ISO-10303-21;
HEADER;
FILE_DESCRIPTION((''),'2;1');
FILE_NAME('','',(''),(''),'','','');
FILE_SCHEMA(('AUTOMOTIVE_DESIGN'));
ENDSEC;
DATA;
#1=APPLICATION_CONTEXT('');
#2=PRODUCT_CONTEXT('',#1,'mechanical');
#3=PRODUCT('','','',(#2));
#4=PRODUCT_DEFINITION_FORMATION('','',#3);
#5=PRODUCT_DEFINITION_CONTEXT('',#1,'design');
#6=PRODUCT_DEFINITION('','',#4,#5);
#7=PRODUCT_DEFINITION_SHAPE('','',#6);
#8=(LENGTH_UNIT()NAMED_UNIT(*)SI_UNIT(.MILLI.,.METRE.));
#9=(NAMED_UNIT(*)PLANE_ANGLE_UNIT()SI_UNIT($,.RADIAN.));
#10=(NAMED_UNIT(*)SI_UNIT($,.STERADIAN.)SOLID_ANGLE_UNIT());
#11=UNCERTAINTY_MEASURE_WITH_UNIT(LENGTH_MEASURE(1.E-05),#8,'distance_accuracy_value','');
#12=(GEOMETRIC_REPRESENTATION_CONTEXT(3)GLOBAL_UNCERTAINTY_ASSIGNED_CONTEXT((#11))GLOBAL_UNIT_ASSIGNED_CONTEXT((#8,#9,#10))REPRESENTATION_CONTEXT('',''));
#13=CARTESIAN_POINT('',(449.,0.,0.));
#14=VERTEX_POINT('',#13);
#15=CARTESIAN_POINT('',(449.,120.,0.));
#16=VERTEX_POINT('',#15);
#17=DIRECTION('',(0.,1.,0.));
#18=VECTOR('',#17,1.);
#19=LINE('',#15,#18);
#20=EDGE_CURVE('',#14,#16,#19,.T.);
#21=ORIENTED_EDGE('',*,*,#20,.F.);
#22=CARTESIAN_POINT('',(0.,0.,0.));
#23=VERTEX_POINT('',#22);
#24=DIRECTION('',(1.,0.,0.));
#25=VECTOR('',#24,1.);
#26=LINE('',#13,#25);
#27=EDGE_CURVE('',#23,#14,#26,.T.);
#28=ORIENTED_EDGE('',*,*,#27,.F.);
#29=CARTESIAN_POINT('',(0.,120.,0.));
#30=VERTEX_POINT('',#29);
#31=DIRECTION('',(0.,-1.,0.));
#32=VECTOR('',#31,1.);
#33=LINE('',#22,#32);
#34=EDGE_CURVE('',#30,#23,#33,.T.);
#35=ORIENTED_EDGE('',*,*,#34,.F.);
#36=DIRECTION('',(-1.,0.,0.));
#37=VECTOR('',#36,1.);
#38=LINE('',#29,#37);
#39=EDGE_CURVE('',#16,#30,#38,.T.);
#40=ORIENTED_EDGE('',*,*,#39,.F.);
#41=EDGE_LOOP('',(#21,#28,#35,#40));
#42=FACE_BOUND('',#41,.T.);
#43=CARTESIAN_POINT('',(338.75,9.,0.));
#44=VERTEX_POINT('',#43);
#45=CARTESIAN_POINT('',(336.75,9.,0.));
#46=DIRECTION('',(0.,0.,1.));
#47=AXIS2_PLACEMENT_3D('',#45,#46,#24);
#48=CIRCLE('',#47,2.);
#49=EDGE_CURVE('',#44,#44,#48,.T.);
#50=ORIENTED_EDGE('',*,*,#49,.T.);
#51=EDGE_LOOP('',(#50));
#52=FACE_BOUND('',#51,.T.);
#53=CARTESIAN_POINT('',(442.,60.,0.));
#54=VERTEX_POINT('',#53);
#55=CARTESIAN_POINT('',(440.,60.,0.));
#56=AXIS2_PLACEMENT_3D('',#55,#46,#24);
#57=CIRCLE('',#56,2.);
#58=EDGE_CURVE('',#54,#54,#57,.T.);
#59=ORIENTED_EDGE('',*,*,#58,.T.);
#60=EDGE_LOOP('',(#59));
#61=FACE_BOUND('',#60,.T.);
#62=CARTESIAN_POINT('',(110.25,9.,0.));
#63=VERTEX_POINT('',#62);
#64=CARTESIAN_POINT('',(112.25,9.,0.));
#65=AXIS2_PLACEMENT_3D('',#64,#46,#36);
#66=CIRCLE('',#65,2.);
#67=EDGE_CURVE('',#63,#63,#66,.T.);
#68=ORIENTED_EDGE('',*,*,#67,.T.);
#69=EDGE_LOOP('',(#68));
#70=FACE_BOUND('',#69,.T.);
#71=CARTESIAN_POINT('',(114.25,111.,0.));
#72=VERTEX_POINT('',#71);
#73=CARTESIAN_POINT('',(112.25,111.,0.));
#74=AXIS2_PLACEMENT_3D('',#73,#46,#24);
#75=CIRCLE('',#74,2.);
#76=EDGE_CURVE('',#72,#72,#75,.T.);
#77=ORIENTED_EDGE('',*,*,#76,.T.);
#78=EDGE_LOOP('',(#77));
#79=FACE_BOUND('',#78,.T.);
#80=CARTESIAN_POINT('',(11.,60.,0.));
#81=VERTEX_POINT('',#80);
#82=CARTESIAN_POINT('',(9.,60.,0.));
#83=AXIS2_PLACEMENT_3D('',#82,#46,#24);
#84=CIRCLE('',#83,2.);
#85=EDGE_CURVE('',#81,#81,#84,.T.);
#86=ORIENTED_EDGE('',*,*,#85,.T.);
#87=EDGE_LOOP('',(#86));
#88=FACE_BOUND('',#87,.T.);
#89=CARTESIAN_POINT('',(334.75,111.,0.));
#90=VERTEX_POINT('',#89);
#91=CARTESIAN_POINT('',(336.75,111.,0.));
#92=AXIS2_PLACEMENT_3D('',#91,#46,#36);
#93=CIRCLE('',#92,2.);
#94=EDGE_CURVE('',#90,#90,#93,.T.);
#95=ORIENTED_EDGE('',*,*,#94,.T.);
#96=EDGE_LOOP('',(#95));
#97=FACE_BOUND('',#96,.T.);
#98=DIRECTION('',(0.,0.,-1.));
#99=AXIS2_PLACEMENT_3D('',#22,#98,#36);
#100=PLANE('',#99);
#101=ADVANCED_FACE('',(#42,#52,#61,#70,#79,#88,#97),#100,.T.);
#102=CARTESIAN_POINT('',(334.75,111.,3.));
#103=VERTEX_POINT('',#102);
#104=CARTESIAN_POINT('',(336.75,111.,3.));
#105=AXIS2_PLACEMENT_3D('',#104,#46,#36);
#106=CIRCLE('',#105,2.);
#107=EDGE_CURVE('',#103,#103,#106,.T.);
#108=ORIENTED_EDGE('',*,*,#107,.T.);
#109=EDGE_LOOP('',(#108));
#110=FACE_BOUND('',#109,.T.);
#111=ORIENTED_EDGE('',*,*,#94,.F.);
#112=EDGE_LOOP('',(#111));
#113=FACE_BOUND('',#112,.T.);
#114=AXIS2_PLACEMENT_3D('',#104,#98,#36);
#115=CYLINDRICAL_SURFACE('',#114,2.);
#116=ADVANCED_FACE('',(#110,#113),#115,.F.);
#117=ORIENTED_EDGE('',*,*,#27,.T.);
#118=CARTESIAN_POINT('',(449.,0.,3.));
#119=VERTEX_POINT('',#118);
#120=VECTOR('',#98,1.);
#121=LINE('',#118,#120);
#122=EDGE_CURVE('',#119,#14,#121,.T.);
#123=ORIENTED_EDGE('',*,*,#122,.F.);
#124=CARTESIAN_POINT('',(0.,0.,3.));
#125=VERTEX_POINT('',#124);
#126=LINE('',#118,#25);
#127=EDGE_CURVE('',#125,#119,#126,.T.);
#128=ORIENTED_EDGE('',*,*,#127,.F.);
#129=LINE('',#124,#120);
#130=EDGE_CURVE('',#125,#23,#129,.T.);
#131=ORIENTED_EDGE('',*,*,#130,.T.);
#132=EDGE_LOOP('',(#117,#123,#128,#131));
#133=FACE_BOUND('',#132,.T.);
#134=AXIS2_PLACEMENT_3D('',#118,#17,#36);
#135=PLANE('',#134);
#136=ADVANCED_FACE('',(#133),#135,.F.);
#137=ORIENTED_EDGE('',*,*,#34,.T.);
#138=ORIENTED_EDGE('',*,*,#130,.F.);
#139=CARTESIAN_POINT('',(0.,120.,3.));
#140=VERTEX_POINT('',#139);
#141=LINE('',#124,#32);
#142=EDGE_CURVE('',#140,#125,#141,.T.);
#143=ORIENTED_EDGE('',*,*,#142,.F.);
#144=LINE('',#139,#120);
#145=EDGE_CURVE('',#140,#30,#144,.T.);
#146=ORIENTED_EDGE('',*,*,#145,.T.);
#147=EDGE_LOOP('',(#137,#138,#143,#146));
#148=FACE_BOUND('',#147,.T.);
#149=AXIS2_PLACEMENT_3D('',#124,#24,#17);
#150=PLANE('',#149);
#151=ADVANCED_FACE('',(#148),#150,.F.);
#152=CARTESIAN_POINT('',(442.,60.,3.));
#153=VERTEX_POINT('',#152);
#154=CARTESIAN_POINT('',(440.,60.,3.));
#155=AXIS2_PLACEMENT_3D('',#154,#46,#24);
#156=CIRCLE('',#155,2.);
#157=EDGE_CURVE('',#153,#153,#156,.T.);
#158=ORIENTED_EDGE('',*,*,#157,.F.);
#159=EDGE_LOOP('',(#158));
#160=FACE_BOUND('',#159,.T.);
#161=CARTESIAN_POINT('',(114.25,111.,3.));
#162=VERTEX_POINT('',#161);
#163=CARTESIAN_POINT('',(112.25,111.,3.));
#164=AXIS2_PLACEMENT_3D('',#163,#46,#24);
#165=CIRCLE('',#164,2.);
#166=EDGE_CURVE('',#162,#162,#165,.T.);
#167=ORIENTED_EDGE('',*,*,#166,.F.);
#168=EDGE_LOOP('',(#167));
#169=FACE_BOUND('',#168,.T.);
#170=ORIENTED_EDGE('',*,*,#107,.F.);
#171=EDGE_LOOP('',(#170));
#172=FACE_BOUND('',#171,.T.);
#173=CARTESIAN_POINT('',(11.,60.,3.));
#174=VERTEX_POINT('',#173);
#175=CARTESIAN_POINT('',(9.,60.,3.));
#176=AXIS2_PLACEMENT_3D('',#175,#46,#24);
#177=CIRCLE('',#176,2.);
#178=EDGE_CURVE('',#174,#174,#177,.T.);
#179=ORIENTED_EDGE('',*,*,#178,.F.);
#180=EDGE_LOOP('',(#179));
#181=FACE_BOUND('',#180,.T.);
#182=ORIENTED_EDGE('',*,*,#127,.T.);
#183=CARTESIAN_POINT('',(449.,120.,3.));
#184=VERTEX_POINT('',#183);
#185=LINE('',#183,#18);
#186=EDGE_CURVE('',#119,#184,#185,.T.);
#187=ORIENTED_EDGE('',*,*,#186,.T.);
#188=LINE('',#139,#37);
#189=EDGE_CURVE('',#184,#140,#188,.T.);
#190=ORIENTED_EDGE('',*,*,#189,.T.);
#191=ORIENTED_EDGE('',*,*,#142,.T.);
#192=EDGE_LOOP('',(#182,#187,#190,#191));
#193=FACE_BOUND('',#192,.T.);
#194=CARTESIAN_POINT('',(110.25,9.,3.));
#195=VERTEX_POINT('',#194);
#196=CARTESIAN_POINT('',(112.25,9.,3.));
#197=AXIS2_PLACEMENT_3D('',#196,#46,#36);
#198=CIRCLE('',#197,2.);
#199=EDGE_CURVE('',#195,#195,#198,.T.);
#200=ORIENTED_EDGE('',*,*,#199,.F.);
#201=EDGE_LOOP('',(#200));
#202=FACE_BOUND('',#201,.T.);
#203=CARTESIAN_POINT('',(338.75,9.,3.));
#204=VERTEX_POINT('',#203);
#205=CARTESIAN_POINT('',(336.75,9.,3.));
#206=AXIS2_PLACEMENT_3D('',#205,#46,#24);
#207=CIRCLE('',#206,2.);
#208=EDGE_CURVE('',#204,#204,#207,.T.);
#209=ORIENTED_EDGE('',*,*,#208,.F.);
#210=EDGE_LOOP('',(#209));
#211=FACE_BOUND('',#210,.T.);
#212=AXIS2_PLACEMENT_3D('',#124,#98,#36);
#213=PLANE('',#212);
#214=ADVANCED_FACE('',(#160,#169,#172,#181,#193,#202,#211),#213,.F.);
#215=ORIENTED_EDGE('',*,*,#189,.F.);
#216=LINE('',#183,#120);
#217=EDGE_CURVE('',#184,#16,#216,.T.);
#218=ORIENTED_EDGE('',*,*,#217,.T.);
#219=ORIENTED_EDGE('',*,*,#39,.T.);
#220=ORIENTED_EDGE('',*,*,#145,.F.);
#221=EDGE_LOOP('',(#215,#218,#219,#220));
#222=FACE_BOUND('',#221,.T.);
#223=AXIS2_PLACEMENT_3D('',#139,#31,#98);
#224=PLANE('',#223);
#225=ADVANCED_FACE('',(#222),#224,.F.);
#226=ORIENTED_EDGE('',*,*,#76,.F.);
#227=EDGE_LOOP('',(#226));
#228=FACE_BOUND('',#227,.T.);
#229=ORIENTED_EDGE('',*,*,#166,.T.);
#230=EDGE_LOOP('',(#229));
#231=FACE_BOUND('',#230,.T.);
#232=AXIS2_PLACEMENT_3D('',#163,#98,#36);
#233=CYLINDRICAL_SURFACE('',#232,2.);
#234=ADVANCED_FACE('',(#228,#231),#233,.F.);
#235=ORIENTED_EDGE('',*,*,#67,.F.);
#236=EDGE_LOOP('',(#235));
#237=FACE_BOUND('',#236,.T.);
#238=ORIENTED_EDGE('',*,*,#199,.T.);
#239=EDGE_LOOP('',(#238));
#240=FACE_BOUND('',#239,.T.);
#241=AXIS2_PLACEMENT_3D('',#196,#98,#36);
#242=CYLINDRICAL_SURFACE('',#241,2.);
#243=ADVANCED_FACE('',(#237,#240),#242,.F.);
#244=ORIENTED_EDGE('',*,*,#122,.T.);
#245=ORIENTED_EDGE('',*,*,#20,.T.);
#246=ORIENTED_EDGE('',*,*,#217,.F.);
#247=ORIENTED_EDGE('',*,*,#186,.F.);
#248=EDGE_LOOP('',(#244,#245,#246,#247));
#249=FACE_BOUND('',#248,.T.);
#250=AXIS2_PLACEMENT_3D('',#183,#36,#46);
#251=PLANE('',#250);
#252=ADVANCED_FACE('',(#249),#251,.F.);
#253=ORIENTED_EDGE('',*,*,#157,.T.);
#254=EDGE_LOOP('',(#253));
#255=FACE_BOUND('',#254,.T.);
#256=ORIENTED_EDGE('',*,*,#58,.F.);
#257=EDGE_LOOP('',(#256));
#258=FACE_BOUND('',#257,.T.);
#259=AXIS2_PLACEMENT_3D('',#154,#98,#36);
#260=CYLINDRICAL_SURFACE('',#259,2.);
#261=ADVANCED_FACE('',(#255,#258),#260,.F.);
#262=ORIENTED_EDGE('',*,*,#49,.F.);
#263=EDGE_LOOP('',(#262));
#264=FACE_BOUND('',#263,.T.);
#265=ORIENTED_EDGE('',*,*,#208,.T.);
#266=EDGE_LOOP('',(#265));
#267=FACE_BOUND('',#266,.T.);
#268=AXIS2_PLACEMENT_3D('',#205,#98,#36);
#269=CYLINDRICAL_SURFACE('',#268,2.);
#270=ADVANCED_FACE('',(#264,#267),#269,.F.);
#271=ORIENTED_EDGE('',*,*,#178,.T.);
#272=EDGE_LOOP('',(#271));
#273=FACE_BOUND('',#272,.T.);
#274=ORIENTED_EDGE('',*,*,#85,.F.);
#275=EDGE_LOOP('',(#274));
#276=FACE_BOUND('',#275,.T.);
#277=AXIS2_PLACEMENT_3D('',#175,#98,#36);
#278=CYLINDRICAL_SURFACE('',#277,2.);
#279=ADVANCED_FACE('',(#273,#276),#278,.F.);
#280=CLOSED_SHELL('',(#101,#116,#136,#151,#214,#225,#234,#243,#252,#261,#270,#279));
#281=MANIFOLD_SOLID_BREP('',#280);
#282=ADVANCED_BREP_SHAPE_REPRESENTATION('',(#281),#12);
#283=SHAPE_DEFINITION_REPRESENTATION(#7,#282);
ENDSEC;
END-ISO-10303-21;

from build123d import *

# Parameters (mm, degrees)
SCHIZZO1_W                   = 449
SCHIZZO1_H                   = 120
SCHIZZO1_R                   = 2
ESTRUSIONE_ESTRUSIONE1_DEPTH = 3


with BuildPart() as part:
    # Schizzo1 → Estrusione-Estrusione1 (new body)
    with BuildSketch(Plane.XY):
        with Locations((224.5, 60)):
            Rectangle(SCHIZZO1_W, SCHIZZO1_H)
        with Locations((9, 60)):
            Circle(SCHIZZO1_R, mode=Mode.SUBTRACT)
        with Locations((440, 60)):
            Circle(SCHIZZO1_R, mode=Mode.SUBTRACT)
        with Locations((112.25, 111)):
            Circle(SCHIZZO1_R, mode=Mode.SUBTRACT)
        with Locations((336.75, 111)):
            Circle(SCHIZZO1_R, mode=Mode.SUBTRACT)
        with Locations((336.75, 9)):
            Circle(SCHIZZO1_R, mode=Mode.SUBTRACT)
        with Locations((112.25, 9)):
            Circle(SCHIZZO1_R, mode=Mode.SUBTRACT)
    extrude(amount=ESTRUSIONE_ESTRUSIONE1_DEPTH)


solid = part.part
